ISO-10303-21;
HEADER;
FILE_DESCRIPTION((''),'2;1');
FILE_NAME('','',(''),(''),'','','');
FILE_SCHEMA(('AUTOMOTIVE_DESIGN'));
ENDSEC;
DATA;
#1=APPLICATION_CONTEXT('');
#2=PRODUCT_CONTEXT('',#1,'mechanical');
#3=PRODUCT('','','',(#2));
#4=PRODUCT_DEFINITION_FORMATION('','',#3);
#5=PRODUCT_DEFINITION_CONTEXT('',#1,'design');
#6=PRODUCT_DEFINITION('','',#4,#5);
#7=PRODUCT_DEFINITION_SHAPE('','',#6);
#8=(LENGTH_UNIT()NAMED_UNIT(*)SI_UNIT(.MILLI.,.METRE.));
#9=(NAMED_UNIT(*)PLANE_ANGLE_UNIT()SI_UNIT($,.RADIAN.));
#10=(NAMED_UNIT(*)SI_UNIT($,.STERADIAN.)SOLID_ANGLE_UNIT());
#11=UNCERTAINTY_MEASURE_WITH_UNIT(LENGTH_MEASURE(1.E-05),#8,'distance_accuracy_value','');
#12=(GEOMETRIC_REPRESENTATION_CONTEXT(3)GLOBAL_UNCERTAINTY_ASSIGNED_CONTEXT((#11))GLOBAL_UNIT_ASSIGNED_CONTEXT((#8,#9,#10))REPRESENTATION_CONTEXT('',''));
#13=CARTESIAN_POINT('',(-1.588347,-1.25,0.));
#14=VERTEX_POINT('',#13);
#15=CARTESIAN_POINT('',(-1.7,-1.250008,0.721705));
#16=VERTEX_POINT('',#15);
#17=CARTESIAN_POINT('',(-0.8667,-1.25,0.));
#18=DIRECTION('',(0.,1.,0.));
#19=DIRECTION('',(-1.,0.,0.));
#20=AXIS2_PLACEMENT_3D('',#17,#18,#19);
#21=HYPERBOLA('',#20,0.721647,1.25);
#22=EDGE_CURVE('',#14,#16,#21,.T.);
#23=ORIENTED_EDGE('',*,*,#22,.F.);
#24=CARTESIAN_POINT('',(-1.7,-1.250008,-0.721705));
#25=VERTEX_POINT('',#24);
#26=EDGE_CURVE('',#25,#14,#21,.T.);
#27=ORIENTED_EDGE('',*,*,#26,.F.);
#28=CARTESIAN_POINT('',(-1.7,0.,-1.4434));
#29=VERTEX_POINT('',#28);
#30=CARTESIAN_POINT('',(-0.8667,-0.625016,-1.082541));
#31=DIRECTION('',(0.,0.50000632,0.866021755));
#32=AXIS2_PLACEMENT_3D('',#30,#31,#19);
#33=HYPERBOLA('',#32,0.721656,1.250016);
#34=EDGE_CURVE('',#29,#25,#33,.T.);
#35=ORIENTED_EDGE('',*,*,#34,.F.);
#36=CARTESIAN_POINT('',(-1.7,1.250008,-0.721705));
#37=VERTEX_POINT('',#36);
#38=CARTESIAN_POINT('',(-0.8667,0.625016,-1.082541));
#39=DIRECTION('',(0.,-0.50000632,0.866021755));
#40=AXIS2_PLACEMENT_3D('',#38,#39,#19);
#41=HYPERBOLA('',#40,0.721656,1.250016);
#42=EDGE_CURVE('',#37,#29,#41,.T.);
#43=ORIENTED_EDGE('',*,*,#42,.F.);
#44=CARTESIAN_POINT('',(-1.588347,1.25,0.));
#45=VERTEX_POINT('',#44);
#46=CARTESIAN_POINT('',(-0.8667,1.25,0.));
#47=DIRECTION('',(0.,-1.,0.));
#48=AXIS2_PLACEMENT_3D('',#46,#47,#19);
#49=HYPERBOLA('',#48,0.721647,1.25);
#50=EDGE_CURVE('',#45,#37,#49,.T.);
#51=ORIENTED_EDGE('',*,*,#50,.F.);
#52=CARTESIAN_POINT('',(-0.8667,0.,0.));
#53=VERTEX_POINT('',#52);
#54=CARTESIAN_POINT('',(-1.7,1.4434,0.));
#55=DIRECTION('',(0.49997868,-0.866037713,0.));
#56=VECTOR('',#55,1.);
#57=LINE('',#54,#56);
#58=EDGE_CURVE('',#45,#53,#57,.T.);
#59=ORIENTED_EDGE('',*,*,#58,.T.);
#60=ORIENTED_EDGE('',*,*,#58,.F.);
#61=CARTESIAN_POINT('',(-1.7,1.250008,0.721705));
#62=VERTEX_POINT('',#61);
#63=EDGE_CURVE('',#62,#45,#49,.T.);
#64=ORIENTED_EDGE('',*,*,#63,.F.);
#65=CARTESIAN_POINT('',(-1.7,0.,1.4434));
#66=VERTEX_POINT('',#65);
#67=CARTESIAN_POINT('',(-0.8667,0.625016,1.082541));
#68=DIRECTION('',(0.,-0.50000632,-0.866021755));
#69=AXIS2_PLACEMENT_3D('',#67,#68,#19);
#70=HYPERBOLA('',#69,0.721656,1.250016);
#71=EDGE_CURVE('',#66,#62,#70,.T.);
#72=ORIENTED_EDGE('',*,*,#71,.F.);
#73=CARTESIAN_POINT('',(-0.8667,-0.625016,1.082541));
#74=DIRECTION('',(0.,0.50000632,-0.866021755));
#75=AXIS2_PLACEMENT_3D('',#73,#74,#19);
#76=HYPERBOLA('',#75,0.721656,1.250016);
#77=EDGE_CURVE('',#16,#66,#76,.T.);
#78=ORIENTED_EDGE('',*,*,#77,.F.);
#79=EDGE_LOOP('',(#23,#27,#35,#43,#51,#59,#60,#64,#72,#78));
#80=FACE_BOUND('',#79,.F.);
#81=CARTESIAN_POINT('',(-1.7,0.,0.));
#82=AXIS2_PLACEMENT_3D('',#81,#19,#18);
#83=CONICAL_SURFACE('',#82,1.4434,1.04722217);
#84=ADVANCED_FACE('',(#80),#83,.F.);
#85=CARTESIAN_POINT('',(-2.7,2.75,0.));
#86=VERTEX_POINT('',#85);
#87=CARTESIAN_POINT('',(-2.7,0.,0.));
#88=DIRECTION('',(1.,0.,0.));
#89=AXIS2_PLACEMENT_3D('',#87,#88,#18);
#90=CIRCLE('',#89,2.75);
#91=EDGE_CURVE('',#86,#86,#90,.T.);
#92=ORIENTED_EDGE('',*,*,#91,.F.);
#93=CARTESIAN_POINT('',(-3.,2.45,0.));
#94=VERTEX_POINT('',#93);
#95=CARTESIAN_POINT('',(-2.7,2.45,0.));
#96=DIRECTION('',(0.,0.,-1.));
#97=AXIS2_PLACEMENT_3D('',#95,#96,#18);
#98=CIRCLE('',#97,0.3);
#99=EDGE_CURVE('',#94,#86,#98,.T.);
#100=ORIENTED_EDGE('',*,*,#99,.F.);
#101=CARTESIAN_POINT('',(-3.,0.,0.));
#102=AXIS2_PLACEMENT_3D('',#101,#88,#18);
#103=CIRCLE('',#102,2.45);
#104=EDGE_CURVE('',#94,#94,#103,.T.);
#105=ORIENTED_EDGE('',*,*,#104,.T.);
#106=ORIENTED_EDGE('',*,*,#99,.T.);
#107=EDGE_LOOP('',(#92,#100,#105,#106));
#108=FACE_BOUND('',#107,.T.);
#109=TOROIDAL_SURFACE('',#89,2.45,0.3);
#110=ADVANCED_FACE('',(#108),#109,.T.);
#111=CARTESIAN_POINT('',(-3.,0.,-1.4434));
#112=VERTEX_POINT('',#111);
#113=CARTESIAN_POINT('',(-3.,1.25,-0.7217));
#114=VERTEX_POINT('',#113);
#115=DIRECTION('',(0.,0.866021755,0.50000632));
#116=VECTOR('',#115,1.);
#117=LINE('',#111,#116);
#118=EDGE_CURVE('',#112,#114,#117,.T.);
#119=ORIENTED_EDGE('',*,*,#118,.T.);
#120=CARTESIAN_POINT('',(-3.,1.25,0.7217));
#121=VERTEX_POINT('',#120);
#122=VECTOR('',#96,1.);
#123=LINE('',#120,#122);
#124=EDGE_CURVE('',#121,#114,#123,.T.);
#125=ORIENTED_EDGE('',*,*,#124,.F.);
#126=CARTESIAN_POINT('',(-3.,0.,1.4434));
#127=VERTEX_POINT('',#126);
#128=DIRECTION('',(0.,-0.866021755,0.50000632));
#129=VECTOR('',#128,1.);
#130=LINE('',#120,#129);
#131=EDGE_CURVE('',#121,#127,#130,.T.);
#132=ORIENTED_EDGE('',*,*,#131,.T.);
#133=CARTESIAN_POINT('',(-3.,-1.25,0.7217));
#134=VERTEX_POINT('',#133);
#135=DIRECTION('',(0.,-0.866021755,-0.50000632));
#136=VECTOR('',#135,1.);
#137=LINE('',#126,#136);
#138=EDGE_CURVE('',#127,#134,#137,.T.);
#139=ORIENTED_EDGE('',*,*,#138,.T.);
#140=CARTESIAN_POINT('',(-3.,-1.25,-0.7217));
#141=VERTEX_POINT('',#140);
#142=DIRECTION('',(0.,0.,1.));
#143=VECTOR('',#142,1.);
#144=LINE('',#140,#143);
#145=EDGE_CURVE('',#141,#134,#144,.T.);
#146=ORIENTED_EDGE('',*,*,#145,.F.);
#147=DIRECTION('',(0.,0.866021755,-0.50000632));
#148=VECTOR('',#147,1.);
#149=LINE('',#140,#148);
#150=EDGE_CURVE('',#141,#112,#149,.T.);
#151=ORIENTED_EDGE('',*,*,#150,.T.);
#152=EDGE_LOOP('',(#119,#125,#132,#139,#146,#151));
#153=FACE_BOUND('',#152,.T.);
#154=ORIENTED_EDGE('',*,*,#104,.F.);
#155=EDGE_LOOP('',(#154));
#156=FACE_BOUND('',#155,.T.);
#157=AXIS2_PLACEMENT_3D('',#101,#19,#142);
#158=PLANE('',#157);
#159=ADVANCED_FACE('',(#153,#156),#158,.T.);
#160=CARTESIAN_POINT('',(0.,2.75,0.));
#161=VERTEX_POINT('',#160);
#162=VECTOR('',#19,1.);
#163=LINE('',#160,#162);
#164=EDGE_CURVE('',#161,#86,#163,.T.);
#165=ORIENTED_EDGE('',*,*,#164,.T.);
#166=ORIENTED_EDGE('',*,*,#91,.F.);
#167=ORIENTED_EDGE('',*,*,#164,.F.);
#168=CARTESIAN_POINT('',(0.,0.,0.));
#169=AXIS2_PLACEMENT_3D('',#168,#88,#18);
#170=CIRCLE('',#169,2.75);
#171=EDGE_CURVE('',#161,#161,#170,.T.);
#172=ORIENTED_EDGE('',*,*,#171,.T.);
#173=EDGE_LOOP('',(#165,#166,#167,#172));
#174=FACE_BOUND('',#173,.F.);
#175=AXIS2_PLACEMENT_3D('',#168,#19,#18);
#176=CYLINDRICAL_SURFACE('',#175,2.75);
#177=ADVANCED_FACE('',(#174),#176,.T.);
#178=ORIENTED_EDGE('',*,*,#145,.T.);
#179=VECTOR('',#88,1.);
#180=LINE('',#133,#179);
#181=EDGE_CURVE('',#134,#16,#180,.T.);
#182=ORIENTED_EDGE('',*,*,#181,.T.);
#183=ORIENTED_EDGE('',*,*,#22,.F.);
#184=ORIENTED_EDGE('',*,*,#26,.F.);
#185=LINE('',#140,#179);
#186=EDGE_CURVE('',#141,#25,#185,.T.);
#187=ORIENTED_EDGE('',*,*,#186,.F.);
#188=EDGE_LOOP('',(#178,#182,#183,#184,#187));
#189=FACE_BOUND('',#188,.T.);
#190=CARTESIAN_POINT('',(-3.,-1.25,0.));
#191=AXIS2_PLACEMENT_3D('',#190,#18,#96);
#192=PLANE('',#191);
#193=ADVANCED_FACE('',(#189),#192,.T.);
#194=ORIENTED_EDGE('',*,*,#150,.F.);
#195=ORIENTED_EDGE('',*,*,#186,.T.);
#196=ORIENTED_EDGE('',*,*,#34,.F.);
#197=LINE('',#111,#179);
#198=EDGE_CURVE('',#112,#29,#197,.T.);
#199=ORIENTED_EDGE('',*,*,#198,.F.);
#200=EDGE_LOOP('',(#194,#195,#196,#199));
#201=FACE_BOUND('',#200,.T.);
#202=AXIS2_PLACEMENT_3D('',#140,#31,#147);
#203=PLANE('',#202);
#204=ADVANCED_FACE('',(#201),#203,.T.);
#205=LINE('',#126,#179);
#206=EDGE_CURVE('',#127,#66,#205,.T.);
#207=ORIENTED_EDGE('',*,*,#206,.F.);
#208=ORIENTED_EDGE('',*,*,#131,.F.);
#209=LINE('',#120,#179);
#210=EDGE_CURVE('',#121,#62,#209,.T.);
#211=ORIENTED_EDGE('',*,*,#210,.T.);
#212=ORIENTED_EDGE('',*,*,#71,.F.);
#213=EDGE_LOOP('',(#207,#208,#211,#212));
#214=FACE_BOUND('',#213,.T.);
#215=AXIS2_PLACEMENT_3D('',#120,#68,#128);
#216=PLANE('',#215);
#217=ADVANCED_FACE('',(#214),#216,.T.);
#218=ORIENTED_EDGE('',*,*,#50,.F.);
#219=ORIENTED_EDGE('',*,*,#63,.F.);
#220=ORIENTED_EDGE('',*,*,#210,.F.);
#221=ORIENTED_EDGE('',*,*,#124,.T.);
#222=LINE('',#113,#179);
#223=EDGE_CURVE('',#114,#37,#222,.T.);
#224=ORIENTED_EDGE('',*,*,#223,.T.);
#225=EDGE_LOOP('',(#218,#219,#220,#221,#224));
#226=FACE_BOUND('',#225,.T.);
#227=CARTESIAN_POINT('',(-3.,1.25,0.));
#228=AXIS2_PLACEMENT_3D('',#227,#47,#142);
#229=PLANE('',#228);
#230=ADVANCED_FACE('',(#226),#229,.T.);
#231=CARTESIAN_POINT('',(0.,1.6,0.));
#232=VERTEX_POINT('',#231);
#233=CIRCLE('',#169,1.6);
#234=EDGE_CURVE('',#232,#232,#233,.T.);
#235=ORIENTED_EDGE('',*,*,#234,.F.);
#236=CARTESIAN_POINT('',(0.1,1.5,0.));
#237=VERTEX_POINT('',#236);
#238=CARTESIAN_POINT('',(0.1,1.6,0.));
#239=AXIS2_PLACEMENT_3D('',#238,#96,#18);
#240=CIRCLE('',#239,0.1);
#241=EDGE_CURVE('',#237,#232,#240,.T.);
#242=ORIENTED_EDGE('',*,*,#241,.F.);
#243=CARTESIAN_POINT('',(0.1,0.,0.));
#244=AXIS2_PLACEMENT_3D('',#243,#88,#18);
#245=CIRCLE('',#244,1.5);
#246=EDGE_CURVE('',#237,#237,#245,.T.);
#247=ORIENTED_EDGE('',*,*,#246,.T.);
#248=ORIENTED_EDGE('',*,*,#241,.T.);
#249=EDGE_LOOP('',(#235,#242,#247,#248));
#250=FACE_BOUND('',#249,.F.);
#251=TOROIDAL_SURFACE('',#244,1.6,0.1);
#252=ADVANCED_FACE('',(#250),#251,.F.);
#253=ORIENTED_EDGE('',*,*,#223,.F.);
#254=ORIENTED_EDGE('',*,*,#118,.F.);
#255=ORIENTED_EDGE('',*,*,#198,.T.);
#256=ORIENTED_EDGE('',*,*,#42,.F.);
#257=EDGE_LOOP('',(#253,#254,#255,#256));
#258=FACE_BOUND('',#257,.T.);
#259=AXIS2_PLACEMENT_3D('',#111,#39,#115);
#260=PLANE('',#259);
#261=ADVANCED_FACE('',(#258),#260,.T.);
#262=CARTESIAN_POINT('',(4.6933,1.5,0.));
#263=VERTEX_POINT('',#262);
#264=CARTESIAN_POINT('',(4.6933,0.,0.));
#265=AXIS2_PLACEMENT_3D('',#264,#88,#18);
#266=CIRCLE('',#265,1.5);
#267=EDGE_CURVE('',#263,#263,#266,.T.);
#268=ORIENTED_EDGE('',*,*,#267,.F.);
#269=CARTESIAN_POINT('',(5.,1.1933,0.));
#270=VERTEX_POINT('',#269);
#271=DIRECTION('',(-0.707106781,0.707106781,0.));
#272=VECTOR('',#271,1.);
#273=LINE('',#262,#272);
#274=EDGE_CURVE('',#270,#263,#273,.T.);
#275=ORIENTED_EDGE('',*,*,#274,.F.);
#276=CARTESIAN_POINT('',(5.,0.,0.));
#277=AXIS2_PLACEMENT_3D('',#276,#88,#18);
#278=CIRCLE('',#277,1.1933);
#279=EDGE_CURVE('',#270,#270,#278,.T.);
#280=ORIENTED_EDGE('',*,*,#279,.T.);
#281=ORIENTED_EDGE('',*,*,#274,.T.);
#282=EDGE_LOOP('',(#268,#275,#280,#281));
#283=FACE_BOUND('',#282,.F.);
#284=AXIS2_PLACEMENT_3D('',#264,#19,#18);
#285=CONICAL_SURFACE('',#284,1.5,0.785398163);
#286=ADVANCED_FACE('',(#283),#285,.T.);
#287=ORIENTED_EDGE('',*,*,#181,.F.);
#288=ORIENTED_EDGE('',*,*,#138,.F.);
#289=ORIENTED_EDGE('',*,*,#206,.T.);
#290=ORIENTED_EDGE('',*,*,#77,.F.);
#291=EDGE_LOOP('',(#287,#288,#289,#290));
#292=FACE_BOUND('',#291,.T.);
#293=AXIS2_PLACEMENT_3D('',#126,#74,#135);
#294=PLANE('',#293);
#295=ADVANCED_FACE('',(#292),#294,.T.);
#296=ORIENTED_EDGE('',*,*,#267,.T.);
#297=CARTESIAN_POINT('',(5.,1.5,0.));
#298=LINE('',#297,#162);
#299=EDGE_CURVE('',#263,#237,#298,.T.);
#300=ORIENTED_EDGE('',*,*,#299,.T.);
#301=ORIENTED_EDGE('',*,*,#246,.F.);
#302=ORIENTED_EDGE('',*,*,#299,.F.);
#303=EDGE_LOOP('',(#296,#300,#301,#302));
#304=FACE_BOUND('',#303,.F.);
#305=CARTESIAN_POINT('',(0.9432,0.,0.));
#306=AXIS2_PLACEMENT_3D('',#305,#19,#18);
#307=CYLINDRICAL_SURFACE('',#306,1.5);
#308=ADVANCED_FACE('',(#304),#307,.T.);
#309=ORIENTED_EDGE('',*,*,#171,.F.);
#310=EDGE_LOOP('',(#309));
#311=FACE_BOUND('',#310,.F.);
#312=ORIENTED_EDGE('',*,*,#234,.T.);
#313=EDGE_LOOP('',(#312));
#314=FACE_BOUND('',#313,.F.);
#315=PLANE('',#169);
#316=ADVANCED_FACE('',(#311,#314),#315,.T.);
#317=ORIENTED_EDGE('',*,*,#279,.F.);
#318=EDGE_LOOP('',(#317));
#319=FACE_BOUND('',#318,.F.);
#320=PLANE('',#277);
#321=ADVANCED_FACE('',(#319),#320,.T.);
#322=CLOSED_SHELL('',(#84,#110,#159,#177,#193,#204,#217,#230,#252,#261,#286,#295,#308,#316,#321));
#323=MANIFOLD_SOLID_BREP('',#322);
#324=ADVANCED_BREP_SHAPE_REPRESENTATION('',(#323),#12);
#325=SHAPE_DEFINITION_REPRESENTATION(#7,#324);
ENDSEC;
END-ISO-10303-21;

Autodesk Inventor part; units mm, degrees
ref_plane "YZ Plane" through (0, 0, 0) normal (1, 0, 0) x (0, 1, 0)
ref_plane "XZ Plane" through (0, 0, 0) normal (0, 1, 0) x (-1, 0, 0)
sketch "Sketch1" plane through (0, 0, 0) normal (0, 0, 1) x (1, 0, 0)
  line L0 (-0.8667, 0) -> (5, 0)
  line L1 (5, 0) -> (5, 1.5)
  line L2 (5, 1.5) -> (1.25, 1.5)
  line L3 (1.25, 1.5) -> (0.9432, 1.5)
  line L4 (0.9432, 1.5) -> (0, 1.5)
  line L5 (0, 1.5) -> (0, 2.75)
  line L6 (0, 2.75) -> (-3, 2.75)
  line L7 (-3, 2.75) -> (-3, 1.4434)
  line L8 (-3, 1.4434) -> (-1.7, 1.4434)
  line L9 (-1.7, 1.4434) -> (-0.8667, 0)
  line L10 (-4.6, 0) -> (6.6, 0) projected
  line L11 (0, -0.55) -> (0, 3.3) projected
  line L12 (1.25, 1.5) -> (0, 1.5) construction
  dimension "d1" = 3.75
  dimension "d2" = 0.3068
  dimension "d3" = 3
  dimension "d4" = 1.3
  dimension "d5" = 60
  dimension "d6" = 3
  dimension "d7" = 3
  dimension "d8" = 2.8868
  dimension "d9" = 5.5
  dimension "d26" = 5
revolve "Body" add sketch "Sketch1" angle 360 about axis through (-0.8667, 0, 0) along (1, 0, 0)
sketch "Sketch2" plane through (-3, 0, 0) normal (-1, 0, 0) x (0, 0, 1)
  circle A0 centre (0, 0) radius 1.4434 projected
  line L0 (0, -3.85) -> (0, 3.85) projected
  line L1 (-3.85, 0) -> (3.85, 0) projected
  line L2 (1.4434, 0) -> (0.7217, -1.25)
  line L3 (0.7217, -1.25) -> (-0.7217, -1.25)
  line L4 (-0.7217, -1.25) -> (-1.4434, 0)
  line L5 (-1.4434, 0) -> (-0.7217, 1.25)
  line L6 (-0.7217, 1.25) -> (0.7217, 1.25)
  line L7 (0.7217, 1.25) -> (1.4434, 0)
extrude "Slot" add sketch "Sketch2" against normal up to next contours L7 A0 | A0 L2 | L6 L0 A0 | A0 L0 L3 | L0 L6 A0 | A0 L3 L0 | L4 A0 | A0 L5
fillet "Fillet1" radius 0.3 1 edges at (-3, -2.75, 0)
thread "Thread" size "M3x0.5" class "6g" standard "ISO Metric Profile" length 3.75
chamfer "Chamfer1" distance 0.3067 distance2 0.3067 1 edges at (5, -1.5, 0) measured on face at (5, 0.3952, 0.0397)
ref_plane "Work Plane1" through (29, 0, 0) normal (0, -1, 0) x (1, 0, 0)
fillet "Fillet2" radius 0.1 1 edges at (0, -1.5, 0)
equation "\"d1\" = GEL"
equation "\"d3\" = KOH"
equation "\"d4\" = INTI"
equation "\"d6\" = GD"
equation "\"d7\" = BDM"
equation "\"d8\" = 1.1547 * SW"
equation "\"d9\" = KOD"
equation "\"d26\" = NLG"
equation "\"d30\" = R"
equation "\"d17\" = RR"
equation "\"d13\" = GEL"
equation "\"d15\" = -0.5 * SPD + 0.5 * GD"
equation "\"d16\" = GUL"
equation "\"GD\" = 3"
equation "\"NLG\" = 5"
equation "\"GEL\" = 3.75"
equation "\"KOD\" = 5.5"
equation "\"KOH\" = 3"
equation "\"INTI\" = 1.3"
equation "\"GAL\" = 0.61345 * PTC"
equation "\"GUL\" = 0.61345 * PTC"
equation "\"BDM\" = NND"
equation "\"SW\" = 2.5"
equation "\"RR\" = 0.3"
equation "\"SPD\" = NND - 1.2269 * PTC"
equation "\"R\" = 0.1"
equation "\"TOA\" = 30deg"
equation "\"GD1\" = THREADDIA - 1.2269 * PTC"
equation "\"THREADDIA\" = 3"
equation "\"FAWI\" = 45deg"
equation "\"PTC\" = 0.5"
equation "\"NND\" = 3"
equation "\"E0\" = 1.155 * SW"
properties part number "M3 x 5 - Socket Cap Screw - Standard (A2)" material "Stainless Steel"
